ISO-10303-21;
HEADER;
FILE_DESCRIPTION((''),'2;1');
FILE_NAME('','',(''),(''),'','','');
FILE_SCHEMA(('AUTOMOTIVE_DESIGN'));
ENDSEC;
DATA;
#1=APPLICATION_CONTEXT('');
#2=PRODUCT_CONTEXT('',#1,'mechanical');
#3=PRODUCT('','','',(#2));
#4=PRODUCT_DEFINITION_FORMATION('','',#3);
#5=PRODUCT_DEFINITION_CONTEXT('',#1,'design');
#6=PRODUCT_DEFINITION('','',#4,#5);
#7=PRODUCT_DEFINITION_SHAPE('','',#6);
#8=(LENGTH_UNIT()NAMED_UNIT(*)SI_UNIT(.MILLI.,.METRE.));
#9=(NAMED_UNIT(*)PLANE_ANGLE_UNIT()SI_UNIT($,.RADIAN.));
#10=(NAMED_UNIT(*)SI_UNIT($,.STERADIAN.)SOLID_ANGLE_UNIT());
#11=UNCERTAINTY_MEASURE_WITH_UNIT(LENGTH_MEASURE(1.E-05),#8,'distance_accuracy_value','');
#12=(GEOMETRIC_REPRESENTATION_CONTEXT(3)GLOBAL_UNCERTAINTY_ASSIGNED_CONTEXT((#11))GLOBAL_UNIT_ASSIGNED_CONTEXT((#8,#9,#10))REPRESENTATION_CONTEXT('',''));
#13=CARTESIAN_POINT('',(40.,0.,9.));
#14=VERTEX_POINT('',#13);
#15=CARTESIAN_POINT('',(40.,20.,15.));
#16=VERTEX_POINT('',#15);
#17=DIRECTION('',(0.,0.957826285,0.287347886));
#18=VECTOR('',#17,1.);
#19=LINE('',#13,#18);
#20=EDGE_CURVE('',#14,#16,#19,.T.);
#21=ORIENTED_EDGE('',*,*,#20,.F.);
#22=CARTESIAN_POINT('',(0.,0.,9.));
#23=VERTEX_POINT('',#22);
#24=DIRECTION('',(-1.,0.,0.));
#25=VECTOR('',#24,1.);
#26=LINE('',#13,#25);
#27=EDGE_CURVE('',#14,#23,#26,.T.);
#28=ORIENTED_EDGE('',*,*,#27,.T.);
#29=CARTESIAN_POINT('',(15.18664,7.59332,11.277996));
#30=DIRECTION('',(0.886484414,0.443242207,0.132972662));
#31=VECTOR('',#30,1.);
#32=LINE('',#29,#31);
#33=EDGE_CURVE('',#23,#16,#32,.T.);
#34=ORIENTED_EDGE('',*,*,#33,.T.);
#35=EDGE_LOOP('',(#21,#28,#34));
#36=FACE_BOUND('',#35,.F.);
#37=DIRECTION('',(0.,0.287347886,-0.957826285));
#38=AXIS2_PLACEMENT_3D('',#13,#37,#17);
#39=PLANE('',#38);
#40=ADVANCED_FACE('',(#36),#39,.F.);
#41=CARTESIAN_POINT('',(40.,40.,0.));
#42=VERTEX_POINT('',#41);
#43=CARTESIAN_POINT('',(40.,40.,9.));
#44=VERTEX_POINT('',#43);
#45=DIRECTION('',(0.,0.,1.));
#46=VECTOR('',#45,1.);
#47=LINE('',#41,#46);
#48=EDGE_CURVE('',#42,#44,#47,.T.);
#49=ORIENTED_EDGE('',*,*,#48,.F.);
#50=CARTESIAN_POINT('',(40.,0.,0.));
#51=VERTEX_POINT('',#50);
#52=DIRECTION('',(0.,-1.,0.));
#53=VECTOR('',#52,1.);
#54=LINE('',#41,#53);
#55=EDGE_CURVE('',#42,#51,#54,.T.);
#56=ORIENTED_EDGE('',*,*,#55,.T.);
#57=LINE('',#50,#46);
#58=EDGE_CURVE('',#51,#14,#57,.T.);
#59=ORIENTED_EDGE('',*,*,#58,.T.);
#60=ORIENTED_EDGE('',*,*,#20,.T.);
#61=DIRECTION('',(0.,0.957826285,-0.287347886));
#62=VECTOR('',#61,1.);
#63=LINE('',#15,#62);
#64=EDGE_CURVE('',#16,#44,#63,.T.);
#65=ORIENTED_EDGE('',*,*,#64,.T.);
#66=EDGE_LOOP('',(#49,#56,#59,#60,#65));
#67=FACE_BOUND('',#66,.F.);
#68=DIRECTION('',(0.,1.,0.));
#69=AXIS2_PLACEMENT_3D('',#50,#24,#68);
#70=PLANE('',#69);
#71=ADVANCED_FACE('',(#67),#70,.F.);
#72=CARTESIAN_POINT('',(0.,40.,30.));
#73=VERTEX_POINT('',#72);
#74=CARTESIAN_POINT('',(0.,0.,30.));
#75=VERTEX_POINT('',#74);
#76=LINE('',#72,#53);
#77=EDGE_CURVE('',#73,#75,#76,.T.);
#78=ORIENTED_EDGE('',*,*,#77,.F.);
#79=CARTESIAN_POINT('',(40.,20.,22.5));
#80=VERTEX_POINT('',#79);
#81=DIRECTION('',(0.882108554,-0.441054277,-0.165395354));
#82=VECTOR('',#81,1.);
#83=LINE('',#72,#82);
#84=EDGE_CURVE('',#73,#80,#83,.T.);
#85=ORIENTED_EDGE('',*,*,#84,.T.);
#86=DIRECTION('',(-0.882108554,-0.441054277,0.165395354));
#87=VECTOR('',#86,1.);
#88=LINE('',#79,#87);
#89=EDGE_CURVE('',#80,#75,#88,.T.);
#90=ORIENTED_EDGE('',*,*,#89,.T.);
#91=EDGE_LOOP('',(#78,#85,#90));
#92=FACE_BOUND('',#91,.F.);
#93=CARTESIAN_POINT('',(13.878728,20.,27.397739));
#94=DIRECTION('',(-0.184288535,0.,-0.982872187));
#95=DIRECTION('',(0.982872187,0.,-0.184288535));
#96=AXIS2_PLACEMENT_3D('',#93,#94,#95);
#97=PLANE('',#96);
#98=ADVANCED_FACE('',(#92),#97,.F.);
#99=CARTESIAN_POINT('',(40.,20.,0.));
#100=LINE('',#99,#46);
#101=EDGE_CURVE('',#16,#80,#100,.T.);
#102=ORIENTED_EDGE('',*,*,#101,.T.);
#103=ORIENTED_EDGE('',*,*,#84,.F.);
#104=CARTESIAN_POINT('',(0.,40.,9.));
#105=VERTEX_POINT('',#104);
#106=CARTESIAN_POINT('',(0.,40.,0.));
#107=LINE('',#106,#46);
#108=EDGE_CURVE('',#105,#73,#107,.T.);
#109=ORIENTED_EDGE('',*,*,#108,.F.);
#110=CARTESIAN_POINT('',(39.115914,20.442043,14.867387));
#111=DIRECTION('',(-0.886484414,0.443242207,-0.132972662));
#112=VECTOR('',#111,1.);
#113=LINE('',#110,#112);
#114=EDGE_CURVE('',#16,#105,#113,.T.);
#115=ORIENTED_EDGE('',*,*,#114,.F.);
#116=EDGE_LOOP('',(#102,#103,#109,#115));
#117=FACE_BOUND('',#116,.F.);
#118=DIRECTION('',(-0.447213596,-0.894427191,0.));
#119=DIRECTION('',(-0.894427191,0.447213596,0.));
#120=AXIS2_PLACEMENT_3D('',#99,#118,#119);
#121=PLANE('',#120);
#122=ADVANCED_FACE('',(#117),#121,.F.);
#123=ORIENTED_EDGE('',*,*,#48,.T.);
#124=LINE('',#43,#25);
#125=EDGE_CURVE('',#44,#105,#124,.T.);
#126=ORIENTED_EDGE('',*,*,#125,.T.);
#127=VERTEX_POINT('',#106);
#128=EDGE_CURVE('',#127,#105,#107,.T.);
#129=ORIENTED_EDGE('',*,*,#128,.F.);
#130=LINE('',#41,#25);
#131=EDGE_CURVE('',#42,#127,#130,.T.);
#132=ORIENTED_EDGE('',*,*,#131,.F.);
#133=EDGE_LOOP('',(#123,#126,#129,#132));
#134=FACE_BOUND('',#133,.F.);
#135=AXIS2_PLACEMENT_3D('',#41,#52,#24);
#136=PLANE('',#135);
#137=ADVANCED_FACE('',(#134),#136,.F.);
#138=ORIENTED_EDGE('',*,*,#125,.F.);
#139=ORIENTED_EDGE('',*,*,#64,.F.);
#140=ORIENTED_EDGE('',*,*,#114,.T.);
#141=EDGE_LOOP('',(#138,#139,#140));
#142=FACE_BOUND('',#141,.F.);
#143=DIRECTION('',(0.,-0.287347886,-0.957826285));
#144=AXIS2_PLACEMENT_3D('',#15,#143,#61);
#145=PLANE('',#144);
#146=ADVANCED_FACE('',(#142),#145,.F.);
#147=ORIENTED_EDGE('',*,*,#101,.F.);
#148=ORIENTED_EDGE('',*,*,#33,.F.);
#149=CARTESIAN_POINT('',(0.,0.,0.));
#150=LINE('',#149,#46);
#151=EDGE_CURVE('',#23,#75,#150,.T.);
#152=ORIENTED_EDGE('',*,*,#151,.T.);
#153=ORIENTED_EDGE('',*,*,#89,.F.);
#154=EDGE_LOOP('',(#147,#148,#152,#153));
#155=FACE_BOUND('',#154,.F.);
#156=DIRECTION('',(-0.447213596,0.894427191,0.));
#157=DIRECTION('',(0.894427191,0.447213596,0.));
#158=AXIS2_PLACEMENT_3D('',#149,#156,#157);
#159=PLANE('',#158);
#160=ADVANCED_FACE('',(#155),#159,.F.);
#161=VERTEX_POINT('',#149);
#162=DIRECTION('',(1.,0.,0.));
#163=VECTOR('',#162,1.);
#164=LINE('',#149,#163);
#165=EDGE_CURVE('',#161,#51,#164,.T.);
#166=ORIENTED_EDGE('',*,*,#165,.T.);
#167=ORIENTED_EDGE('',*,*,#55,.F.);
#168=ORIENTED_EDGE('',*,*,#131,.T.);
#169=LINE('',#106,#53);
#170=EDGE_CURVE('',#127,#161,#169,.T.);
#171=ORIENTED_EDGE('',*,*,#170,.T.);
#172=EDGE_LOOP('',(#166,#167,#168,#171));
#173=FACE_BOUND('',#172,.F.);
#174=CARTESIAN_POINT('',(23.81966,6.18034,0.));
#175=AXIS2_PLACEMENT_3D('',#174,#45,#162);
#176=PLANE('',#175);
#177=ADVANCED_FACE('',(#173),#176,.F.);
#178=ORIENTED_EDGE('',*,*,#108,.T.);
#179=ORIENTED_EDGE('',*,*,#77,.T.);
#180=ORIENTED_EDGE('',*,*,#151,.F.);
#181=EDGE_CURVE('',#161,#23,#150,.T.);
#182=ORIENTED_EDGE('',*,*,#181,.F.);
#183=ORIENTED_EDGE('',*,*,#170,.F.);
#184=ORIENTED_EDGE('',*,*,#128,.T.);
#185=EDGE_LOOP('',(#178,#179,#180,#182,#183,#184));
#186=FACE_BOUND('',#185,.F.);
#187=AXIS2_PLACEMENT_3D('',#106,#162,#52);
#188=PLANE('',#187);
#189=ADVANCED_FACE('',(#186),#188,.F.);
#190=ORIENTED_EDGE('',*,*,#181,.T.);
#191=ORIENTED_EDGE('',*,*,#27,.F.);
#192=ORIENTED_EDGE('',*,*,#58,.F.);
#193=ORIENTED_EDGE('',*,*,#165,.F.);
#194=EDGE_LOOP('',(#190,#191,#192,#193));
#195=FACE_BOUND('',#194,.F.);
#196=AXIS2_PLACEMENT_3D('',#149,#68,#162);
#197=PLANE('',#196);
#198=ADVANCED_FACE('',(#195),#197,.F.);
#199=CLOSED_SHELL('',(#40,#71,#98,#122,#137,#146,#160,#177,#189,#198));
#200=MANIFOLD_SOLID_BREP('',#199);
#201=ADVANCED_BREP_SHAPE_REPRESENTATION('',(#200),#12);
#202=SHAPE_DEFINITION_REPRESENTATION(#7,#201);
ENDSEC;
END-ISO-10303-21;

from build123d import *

# Parameters (mm, degrees)
F1_DEPTH = 15
F3_DEPTH = 40.001
F4_DEPTH = 30
F8_DEPTH = 7.372541402


with BuildPart() as f1:
    # F0 (on Top) → F1 (new body)
    with BuildSketch(Plane.XY):
        Polygon((40, 20), (0, 0), (40, 0), align=None)
        Polygon((0, 40), (0, 0), (40, 20), align=None)
        Polygon((40, 40), (0, 40), (40, 20), align=None)
    extrude(amount=F1_DEPTH)

    # F2 (on face) → F3 (cut, through all)
    with BuildSketch(Plane.YZ.offset(40)):
        Polygon((0, 9), (20, 15), (0, 15), align=None)
        Polygon((40, 15), (20, 15), (40, 9), align=None)
    extrude(amount=-F3_DEPTH, mode=Mode.SUBTRACT)

    # F0 (on Top) → F4 (join)
    with BuildSketch(Plane.XY):
        Polygon((0, 40), (0, 0), (40, 20), align=None)
    extrude(amount=F4_DEPTH)

    # F7 (on 3pt) → F8 (cut, through all)
    with BuildSketch(Plane(origin=(5.4339622642, 0, 28.9811320755), x_dir=(0.9828721869, 0, -0.1842885351), z_dir=(-0.1842885351, 0, -0.9828721869))):
        Polygon((35.1683954387, -20), (-5.5286560515, 0), (-5.5286560515, -40), align=None)
    extrude(amount=-F8_DEPTH, mode=Mode.SUBTRACT)


solid = f1.part
